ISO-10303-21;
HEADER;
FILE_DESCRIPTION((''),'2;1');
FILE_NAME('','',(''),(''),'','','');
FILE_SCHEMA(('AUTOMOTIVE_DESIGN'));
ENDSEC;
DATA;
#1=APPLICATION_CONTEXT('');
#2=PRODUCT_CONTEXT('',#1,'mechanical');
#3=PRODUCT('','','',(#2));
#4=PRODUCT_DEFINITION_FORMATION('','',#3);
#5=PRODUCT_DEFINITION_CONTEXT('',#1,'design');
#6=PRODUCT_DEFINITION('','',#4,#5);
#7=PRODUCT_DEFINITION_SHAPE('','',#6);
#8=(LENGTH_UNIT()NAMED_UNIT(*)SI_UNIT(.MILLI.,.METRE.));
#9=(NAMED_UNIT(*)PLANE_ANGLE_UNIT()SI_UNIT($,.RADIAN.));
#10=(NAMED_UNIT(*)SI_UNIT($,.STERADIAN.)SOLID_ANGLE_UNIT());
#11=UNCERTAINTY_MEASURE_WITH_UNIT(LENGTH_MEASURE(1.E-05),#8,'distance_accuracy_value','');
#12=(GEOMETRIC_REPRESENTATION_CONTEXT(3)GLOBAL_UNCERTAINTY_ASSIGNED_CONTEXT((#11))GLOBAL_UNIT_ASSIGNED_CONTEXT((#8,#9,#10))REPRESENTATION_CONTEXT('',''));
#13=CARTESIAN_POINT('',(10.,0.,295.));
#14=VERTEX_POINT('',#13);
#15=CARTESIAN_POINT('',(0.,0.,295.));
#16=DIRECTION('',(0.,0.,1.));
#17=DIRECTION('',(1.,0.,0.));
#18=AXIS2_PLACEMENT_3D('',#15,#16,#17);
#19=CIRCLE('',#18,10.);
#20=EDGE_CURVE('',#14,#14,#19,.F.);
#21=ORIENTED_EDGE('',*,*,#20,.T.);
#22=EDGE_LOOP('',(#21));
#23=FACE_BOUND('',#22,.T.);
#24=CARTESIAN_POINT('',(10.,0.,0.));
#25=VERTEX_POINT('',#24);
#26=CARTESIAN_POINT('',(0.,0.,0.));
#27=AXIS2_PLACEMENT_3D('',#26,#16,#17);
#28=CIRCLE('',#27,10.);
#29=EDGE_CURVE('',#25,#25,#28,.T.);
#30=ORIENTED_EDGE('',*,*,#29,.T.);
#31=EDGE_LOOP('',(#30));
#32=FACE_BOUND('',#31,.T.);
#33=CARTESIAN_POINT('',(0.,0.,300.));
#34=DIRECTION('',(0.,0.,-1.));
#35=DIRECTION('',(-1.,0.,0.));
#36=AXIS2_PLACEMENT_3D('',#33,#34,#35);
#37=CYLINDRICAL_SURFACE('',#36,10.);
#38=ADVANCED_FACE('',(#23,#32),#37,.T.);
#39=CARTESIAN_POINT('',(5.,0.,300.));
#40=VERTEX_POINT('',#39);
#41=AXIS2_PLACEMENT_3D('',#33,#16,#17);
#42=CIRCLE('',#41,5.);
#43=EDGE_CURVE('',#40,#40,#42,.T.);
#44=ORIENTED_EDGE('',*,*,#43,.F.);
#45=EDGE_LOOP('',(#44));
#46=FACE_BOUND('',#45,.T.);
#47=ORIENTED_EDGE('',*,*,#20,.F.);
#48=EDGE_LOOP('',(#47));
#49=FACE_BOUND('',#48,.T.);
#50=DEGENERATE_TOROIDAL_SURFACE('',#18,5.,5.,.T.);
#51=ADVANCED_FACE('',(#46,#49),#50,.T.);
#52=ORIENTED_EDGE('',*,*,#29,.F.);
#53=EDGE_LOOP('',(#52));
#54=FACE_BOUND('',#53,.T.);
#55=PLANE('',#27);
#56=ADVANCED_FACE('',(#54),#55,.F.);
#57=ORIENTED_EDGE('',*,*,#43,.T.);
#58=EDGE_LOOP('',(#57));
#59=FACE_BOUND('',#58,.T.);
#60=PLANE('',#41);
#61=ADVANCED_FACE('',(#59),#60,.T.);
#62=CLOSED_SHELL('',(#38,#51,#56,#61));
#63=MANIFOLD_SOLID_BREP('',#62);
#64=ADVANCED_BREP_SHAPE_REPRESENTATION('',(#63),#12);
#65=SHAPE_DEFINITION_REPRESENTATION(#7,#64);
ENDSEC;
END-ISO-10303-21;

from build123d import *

# Parameters (mm, degrees)
SKETCH1_R           = 10
BOSS_EXTRUDE1_DEPTH = 300
FILLET1_R           = 5


with BuildPart() as part:
    # Sketch1 → Boss-Extrude1 (new body)
    with BuildSketch(Plane.XY):
        Circle(SKETCH1_R)
    extrude(amount=BOSS_EXTRUDE1_DEPTH)

    # Fillet1
    fillet1_edges = [part.edges().sort_by_distance(p)[0] for p in [
        (-10, 0, 300),
    ]]
    fillet(fillet1_edges, radius=FILLET1_R)


solid = part.part
